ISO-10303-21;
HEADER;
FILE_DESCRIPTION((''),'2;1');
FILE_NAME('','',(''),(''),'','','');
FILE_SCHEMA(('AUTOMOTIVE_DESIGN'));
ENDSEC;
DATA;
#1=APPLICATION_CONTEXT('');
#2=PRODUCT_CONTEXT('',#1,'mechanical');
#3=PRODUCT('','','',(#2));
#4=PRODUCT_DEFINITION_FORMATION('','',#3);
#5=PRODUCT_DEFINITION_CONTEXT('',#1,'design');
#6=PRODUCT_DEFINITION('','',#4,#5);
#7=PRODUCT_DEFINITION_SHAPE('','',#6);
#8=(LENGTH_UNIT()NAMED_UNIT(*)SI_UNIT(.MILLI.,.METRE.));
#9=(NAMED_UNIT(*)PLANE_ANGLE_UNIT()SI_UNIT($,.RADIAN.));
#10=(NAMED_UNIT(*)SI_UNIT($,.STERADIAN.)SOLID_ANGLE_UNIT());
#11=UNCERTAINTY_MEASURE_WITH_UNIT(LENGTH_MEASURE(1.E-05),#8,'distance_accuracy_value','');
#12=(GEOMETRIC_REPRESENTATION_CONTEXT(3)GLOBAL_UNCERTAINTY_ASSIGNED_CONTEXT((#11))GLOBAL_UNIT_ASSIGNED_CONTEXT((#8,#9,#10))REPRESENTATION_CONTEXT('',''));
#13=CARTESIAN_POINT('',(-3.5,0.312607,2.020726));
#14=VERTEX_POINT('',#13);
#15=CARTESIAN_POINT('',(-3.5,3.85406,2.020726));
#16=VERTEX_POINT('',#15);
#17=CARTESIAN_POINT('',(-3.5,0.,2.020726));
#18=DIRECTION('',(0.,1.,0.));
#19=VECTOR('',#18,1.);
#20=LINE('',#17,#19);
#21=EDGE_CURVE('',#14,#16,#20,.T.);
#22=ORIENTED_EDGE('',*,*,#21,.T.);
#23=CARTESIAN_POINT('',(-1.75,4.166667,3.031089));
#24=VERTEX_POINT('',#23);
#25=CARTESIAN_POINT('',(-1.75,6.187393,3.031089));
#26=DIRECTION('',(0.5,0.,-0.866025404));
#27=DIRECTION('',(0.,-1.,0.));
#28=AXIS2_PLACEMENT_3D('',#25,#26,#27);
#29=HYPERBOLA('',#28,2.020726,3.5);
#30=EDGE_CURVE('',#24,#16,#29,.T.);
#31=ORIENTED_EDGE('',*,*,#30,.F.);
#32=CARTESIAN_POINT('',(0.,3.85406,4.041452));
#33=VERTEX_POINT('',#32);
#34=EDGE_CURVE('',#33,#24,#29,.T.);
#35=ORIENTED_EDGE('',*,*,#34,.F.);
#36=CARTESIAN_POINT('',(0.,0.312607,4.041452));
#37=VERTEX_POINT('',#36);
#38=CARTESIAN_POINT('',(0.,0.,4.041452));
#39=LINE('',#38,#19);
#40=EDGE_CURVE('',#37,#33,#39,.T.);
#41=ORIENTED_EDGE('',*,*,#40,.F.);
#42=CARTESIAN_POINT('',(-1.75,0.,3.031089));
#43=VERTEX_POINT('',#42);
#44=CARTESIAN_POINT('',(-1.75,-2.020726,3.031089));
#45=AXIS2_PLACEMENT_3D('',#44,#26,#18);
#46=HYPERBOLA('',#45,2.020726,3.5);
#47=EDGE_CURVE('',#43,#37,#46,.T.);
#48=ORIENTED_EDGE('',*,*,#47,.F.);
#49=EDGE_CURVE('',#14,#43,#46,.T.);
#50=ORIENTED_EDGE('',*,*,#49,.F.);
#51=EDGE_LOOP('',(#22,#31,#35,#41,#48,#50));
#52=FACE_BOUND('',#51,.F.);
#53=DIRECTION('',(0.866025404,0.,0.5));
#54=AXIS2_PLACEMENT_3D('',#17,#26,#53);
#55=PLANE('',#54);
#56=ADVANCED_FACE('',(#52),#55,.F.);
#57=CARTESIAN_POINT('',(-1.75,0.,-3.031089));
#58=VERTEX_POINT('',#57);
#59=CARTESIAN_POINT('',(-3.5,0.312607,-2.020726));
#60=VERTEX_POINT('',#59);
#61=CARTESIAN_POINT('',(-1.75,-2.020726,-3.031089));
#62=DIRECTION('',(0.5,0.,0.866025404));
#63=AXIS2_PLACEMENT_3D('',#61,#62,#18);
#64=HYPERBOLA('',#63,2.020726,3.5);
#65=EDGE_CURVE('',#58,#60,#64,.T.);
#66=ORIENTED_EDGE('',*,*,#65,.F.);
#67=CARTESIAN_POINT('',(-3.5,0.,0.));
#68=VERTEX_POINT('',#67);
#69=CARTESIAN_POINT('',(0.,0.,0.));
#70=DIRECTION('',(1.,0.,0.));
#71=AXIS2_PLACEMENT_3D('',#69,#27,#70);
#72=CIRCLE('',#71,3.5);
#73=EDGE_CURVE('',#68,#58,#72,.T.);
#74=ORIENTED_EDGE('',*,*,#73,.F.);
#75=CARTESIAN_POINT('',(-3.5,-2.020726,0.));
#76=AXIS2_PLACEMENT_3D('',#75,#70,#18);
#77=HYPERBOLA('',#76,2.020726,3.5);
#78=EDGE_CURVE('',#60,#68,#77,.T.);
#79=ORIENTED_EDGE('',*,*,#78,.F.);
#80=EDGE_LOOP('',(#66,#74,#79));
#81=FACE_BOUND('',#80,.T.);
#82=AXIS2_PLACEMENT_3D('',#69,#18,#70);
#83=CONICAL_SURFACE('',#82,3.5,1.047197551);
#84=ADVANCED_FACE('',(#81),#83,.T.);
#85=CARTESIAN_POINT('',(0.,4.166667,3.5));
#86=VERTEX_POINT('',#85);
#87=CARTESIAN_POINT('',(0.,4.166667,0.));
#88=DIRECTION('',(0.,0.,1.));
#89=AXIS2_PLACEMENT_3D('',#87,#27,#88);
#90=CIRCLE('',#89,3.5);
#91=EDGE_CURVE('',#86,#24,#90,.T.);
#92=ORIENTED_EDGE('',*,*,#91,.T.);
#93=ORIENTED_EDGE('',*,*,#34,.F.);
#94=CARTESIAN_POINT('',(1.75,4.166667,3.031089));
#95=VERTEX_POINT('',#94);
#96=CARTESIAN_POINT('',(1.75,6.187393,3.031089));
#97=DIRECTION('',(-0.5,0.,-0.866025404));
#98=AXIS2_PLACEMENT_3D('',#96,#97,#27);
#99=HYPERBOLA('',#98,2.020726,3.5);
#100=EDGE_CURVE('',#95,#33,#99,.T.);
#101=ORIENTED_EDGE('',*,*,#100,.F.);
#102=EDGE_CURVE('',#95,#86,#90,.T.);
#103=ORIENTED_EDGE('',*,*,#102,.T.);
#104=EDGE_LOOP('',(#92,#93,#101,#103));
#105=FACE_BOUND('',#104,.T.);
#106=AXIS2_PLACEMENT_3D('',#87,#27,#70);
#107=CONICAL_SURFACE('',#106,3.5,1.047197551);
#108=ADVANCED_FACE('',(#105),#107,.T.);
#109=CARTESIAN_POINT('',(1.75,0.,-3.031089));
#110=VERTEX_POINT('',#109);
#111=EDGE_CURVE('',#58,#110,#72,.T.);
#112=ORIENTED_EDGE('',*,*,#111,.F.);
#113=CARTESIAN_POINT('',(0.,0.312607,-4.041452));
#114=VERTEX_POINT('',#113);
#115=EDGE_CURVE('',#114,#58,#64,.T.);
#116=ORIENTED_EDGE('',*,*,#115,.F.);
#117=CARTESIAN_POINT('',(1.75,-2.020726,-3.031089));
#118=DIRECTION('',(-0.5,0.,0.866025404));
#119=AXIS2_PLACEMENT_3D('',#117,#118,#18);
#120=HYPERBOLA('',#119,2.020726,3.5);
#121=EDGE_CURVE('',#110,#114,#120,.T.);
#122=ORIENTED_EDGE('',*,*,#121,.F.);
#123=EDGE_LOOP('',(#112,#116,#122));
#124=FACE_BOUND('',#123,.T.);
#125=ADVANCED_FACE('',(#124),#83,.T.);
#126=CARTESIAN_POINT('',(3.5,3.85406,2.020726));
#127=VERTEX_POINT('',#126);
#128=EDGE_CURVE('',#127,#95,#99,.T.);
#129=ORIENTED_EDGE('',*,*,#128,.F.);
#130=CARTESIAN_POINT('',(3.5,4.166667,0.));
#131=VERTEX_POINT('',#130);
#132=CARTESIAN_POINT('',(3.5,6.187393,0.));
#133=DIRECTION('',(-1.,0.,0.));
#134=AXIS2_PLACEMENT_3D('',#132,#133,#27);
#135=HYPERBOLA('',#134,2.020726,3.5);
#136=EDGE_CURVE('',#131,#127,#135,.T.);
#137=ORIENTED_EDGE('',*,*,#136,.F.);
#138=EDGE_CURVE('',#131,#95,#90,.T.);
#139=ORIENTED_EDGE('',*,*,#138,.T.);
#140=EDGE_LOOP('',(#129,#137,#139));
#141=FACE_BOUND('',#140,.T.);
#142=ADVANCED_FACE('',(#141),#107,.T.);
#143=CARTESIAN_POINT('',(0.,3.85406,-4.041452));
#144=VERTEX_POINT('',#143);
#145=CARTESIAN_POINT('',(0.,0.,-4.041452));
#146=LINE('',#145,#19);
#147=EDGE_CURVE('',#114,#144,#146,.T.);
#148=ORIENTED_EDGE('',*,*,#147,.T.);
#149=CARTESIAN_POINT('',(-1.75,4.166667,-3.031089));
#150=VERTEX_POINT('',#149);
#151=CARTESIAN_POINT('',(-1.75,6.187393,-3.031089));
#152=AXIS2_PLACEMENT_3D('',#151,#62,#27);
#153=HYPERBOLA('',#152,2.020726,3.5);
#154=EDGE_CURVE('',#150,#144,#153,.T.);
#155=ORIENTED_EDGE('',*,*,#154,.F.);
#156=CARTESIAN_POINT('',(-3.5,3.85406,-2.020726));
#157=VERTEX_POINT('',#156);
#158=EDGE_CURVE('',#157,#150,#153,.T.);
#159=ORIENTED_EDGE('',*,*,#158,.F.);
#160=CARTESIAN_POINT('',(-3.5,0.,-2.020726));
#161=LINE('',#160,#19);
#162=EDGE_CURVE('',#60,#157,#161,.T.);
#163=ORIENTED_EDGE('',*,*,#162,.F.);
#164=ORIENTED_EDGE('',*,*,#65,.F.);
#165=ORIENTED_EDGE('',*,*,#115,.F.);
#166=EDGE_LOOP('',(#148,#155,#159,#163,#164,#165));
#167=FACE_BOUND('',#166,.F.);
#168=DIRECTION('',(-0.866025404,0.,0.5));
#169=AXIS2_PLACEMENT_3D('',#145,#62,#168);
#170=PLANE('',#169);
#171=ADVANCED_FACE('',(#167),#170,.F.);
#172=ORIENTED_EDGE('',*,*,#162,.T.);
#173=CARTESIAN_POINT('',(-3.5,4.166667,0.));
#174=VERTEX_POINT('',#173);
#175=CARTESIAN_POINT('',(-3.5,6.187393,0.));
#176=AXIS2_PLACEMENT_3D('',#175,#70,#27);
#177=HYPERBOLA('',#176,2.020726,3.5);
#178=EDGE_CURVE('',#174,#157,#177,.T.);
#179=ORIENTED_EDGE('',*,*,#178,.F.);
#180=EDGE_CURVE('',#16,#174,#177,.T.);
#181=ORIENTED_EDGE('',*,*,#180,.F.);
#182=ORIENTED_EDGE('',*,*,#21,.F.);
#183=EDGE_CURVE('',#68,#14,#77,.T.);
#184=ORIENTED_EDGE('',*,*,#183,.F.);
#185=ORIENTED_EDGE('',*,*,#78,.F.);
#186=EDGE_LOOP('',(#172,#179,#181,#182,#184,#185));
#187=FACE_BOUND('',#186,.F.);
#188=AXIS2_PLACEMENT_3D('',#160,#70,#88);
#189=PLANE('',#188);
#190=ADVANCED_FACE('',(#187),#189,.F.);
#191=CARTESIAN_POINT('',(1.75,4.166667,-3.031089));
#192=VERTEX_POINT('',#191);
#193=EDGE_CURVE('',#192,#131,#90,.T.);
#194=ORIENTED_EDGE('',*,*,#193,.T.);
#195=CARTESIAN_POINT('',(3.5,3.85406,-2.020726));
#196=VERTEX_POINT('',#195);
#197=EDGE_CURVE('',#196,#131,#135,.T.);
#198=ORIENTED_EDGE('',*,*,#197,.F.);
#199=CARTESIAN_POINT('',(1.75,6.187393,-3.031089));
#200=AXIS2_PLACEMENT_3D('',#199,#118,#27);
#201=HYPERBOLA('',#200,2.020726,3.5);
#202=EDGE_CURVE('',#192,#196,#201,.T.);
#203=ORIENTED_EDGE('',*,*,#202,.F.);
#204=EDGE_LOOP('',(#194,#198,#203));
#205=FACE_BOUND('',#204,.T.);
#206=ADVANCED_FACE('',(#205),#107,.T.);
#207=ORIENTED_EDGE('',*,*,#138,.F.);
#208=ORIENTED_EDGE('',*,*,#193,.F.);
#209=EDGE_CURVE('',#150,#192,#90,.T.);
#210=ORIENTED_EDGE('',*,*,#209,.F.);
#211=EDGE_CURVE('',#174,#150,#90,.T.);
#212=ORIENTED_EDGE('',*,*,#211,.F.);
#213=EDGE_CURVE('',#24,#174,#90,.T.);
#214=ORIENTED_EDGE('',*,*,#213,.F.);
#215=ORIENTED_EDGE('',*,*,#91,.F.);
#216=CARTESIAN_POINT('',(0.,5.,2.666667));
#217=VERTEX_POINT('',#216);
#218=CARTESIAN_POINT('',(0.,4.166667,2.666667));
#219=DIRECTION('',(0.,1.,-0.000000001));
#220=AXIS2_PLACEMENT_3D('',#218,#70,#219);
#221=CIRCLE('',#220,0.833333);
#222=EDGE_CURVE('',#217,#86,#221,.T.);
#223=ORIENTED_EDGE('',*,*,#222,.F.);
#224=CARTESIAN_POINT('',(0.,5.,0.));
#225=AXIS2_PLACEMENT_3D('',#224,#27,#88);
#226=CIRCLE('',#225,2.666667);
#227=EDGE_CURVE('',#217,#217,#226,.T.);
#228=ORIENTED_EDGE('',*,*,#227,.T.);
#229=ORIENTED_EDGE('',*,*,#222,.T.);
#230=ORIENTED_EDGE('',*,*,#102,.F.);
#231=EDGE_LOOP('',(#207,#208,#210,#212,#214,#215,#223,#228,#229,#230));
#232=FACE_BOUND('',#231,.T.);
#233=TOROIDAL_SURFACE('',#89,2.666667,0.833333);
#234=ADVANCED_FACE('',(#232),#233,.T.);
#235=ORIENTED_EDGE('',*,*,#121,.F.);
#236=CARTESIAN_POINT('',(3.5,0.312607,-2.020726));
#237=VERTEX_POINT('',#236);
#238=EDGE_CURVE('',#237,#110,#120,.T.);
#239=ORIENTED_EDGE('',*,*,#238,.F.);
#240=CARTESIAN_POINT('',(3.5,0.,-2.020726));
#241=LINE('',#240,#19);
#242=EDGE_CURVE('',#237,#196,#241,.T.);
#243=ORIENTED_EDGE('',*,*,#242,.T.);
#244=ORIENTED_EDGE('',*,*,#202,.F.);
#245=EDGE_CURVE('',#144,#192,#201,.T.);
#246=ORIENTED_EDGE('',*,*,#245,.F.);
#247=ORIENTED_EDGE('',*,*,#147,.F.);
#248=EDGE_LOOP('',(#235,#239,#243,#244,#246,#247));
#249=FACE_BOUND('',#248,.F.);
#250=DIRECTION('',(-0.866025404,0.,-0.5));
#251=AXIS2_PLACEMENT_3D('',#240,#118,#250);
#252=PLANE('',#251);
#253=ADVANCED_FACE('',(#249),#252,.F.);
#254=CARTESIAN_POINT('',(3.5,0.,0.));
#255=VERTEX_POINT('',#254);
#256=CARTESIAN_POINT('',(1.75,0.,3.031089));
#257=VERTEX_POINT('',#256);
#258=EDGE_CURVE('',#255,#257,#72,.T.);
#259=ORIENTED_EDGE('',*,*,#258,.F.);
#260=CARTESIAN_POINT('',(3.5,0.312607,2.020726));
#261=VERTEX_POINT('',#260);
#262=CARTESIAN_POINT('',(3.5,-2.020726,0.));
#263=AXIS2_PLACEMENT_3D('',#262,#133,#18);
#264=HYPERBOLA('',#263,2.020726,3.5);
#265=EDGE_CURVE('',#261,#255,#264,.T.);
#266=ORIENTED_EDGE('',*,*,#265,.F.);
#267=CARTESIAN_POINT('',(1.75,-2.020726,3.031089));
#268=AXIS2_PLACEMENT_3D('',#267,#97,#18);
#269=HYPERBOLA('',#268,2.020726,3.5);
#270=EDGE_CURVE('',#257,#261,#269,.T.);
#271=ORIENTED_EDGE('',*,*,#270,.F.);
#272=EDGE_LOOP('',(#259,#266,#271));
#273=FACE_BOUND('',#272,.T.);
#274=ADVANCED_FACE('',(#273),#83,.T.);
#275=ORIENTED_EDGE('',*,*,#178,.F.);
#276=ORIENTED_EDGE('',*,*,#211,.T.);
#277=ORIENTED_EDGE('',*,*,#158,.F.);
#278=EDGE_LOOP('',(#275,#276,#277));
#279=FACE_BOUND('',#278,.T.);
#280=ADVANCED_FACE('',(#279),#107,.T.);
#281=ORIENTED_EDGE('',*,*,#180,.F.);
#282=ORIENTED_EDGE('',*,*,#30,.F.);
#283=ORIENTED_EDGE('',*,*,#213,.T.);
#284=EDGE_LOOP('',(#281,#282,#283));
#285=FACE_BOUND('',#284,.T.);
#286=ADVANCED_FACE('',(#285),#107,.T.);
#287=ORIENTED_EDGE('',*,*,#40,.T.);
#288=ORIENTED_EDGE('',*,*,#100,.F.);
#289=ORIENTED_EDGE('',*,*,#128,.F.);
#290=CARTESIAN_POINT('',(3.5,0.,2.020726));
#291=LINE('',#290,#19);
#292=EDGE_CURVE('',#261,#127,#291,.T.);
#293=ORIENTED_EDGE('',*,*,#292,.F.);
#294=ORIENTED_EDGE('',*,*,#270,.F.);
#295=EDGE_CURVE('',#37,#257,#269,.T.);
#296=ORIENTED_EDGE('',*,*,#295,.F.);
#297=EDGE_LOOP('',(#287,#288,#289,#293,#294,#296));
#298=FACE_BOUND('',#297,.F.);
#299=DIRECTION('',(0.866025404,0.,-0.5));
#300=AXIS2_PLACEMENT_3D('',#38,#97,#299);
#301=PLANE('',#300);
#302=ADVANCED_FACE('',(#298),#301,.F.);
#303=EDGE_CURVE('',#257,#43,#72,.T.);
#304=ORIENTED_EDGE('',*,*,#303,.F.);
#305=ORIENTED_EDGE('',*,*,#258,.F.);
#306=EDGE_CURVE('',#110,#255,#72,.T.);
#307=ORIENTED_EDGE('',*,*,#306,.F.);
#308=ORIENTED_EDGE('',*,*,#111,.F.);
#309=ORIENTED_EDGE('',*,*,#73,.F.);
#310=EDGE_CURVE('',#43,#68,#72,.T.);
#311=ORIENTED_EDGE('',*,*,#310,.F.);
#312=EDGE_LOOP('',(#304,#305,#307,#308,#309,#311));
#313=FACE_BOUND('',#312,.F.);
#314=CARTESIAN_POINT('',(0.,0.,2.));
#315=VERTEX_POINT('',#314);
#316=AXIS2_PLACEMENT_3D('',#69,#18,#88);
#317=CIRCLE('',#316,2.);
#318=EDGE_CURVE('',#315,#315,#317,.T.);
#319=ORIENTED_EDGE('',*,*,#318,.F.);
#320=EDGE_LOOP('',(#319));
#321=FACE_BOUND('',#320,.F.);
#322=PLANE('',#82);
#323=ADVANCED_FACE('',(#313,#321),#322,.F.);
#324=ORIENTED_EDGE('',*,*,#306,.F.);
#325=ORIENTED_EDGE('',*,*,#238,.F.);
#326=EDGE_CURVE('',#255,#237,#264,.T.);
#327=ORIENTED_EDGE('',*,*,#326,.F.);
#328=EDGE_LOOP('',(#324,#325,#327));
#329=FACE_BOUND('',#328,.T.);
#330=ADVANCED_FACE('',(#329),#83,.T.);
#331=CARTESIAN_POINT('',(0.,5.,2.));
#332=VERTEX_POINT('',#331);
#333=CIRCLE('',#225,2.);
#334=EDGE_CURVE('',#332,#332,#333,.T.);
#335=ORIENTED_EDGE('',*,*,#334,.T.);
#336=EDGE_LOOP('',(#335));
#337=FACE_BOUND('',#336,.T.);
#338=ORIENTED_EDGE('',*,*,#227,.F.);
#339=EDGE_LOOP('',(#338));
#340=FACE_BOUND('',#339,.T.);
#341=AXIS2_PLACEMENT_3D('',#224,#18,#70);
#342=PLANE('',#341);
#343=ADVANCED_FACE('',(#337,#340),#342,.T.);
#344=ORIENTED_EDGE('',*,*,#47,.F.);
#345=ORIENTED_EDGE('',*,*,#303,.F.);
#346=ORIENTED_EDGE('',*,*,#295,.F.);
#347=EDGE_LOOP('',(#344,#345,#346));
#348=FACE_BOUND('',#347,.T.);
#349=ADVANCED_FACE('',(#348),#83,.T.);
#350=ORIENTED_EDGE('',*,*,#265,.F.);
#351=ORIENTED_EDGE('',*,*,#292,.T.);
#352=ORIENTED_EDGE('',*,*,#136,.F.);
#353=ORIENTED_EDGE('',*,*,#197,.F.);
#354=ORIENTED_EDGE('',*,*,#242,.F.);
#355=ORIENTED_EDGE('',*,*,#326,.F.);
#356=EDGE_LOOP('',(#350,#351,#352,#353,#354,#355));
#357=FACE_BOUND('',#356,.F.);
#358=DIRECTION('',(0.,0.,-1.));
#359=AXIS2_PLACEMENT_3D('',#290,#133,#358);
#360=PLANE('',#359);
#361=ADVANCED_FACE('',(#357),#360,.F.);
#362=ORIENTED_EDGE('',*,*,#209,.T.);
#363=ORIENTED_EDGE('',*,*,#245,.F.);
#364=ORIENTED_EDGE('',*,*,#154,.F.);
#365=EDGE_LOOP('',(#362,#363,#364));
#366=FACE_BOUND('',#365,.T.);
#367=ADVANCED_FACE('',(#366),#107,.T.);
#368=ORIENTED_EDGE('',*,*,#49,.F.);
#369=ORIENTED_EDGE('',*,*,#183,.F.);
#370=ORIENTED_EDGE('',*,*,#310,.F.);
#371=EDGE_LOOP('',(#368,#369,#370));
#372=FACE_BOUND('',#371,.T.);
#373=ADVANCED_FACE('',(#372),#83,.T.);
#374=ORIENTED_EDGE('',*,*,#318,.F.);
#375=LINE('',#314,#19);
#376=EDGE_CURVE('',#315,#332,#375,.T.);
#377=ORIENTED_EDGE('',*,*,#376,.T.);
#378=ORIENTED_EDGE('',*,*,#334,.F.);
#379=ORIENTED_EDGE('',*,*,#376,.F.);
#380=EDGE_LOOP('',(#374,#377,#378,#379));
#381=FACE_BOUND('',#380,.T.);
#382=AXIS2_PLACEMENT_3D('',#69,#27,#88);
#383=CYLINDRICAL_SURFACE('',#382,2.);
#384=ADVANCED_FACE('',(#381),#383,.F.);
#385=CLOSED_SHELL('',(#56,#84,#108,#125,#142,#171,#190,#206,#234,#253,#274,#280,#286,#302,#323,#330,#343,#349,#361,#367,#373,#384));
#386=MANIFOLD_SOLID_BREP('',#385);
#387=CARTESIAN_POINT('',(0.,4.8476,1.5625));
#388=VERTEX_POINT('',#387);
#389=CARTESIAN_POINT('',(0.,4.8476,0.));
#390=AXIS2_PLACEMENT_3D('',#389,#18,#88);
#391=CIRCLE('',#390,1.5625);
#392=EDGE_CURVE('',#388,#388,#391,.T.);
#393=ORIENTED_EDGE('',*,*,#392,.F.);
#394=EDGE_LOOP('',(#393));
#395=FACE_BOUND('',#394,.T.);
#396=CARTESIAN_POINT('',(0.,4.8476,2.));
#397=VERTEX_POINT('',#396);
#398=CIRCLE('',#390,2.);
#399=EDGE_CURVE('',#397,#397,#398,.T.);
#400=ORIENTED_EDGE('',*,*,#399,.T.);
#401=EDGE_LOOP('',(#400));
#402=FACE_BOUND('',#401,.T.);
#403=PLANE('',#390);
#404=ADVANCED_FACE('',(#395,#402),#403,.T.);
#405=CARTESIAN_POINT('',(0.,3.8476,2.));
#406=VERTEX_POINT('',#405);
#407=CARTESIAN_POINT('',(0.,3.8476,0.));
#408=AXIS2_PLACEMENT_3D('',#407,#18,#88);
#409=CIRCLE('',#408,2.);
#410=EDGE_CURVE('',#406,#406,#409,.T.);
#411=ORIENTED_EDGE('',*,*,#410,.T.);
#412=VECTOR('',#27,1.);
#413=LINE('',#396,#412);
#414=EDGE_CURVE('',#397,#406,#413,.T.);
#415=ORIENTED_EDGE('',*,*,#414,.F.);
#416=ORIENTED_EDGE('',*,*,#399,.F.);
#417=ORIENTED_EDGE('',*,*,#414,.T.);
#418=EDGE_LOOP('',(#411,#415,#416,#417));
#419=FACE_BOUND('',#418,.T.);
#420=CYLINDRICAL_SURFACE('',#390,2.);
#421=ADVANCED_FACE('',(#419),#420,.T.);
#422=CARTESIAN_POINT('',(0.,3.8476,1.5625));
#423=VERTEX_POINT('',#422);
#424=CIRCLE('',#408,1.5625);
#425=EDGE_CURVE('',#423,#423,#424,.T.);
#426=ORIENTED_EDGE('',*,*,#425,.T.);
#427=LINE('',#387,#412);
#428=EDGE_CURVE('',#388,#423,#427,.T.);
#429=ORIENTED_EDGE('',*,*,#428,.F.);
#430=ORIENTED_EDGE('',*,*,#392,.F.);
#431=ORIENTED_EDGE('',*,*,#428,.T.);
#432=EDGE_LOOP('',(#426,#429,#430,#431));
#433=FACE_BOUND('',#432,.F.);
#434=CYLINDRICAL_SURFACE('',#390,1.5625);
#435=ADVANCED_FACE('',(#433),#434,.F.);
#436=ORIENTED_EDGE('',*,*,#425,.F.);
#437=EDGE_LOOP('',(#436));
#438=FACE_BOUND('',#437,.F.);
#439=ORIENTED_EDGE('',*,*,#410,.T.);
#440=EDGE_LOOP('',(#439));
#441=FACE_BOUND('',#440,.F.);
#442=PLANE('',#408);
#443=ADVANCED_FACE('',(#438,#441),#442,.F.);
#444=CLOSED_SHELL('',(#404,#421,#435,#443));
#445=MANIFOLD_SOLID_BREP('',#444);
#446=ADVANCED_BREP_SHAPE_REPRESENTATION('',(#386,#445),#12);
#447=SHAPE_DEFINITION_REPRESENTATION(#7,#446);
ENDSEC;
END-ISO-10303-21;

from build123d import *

# Parameters (mm, degrees)
EXTRUDE1_DEPTH      = 5
SKETCH7_R           = 2
CUT_EXTRUDE4_DEPTH  = 8.320063752
CUT_EXTRUDE5_START  = -0.833333
SKETCH13_OUTSIDE_W  = 37.296
SKETCH13_OUTSIDE_H  = 38.378
SKETCH13_OUTSIDE_R  = 3.5
CUT_EXTRUDE5_DEPTH  = 7.486730752
CUT_EXTRUDE5_DRAFT  = -60
SKETCH19_OUTSIDE_W  = 40.182
SKETCH19_OUTSIDE_H  = 41.264
SKETCH19_OUTSIDE_R  = 3.5
CUT_EXTRUDE6_DEPTH  = 8.320063752
CUT_EXTRUDE6_DRAFT  = -60
BOSS_EXTRUDE1_START = -0.1524
SKETCH20_R          = 2
SKETCH20_R_2        = 1.5625
BOSS_EXTRUDE1_DEPTH = 1


with BuildPart() as part:
    # Sketch1 → Extrude1 (new body)
    with BuildSketch(Plane(origin=(0, 0, 0), x_dir=(1, 0, 0), z_dir=(0, 1, 0))):
        Polygon((0, 4.041451884), (-3.5, 2.020725942), (-3.5, -2.020725942), (0, -4.041451884), (3.5, -2.020725942), (3.5, 2.020725942), align=None)
    extrude(amount=EXTRUDE1_DEPTH)

    # Sketch7 → Cut-Extrude4 (cut, through all)
    with BuildSketch(Plane(origin=(0, 0, 0), x_dir=(1, 0, 0), z_dir=(0, 1, 0))):
        with Locations(Location((0, 0, 0), (0, 0, 270))):
            Circle(SKETCH7_R)
    extrude(amount=CUT_EXTRUDE4_DEPTH, mode=Mode.SUBTRACT)

    # Sketch18 → Cut-Revolve1 (revolve, cut)
    with BuildSketch(Plane(origin=(0, 0, 0), x_dir=(0, 0, -1), z_dir=(1, 0, 0)), mode=Mode.PRIVATE) as cut_revolve1_sk:
        with BuildLine():
            Line((3.5, 4.166666667), (4.041451884, 4.166666667))
            Line((4.041451884, 4.166666667), (4.041451884, 5))
            Line((4.041451884, 5), (2.666666667, 5))
            ThreePointArc((2.666666667, 5), (3.255922318, 4.755922318), (3.5, 4.166666667))
        make_face()
    revolve(cut_revolve1_sk.sketch.rotate(Axis((0, 5, 0), (0, -1, 0)), 180), axis=Axis((0, 5, 0), (0, -1, 0)), mode=Mode.SUBTRACT)


with BuildPart() as cut_extrude5_tool:
    # Sketch13 outside → Cut-Extrude5 (with draft: the straight prism first)
    with BuildSketch(Plane(origin=(0, 5, 0), x_dir=(1, 0, 0), z_dir=(0, 1, 0)).offset(CUT_EXTRUDE5_START)):
        Rectangle(SKETCH13_OUTSIDE_W, SKETCH13_OUTSIDE_H)
        Circle(SKETCH13_OUTSIDE_R, mode=Mode.SUBTRACT)
    extrude(amount=-CUT_EXTRUDE5_DEPTH)
    # Cut-Extrude5: the draft: its side faces are tilted about the plane it starts from
    cut_extrude5_sides = [cut_extrude5_tool.faces().sort_by_distance(p)[0] for p in [
        (0, 0.423301624, 19.189),
        (18.648, 0.423301624, 0),
        (0, 0.423301624, -19.189),
        (-18.648, 0.423301624, 0),
        (-3.5, 0.423301624, 0),
    ]]
    draft(cut_extrude5_sides, Plane(origin=(0, 5, 0), x_dir=(1, 0, 0), z_dir=(0, 1, 0)).offset(CUT_EXTRUDE5_START), CUT_EXTRUDE5_DRAFT)


with BuildPart() as part_1:
    add(part.part)

    # Cut-Extrude5: cut by cut_extrude5_tool
    add(cut_extrude5_tool.part, mode=Mode.SUBTRACT)


with BuildPart() as cut_extrude6_tool:
    # Sketch19 outside → Cut-Extrude6 (with draft: the straight prism first)
    with BuildSketch(Plane.XZ):
        Rectangle(SKETCH19_OUTSIDE_W, SKETCH19_OUTSIDE_H)
        Circle(SKETCH19_OUTSIDE_R, mode=Mode.SUBTRACT)
    extrude(amount=-CUT_EXTRUDE6_DEPTH)
    # Cut-Extrude6: the draft: its side faces are tilted about the plane it starts from
    cut_extrude6_sides = [cut_extrude6_tool.faces().sort_by_distance(p)[0] for p in [
        (0, 4.160031876, -20.632),
        (20.091, 4.160031876, 0),
        (0, 4.160031876, 20.632),
        (-20.091, 4.160031876, 0),
        (-3.5, 4.160031876, 0),
    ]]
    draft(cut_extrude6_sides, Plane.XZ, CUT_EXTRUDE6_DRAFT)


with BuildPart() as part_2:
    add(part_1.part)

    # Cut-Extrude6: cut by cut_extrude6_tool
    add(cut_extrude6_tool.part, mode=Mode.SUBTRACT)


with BuildPart() as body_2:
    # Sketch20 → Boss-Extrude1 (new body)
    with BuildSketch(Plane(origin=(0, 5, 0), x_dir=(1, 0, 0), z_dir=(0, 1, 0)).offset(BOSS_EXTRUDE1_START)):
        with Locations(Location((0, 0, 0), (0, 0, 270))):
            Circle(SKETCH20_R)
        with Locations(Location((0, 0, 0), (0, 0, 270))):
            Circle(SKETCH20_R_2, mode=Mode.SUBTRACT)
    extrude(amount=-BOSS_EXTRUDE1_DEPTH)


solid = Compound([part_2.part, body_2.part])
